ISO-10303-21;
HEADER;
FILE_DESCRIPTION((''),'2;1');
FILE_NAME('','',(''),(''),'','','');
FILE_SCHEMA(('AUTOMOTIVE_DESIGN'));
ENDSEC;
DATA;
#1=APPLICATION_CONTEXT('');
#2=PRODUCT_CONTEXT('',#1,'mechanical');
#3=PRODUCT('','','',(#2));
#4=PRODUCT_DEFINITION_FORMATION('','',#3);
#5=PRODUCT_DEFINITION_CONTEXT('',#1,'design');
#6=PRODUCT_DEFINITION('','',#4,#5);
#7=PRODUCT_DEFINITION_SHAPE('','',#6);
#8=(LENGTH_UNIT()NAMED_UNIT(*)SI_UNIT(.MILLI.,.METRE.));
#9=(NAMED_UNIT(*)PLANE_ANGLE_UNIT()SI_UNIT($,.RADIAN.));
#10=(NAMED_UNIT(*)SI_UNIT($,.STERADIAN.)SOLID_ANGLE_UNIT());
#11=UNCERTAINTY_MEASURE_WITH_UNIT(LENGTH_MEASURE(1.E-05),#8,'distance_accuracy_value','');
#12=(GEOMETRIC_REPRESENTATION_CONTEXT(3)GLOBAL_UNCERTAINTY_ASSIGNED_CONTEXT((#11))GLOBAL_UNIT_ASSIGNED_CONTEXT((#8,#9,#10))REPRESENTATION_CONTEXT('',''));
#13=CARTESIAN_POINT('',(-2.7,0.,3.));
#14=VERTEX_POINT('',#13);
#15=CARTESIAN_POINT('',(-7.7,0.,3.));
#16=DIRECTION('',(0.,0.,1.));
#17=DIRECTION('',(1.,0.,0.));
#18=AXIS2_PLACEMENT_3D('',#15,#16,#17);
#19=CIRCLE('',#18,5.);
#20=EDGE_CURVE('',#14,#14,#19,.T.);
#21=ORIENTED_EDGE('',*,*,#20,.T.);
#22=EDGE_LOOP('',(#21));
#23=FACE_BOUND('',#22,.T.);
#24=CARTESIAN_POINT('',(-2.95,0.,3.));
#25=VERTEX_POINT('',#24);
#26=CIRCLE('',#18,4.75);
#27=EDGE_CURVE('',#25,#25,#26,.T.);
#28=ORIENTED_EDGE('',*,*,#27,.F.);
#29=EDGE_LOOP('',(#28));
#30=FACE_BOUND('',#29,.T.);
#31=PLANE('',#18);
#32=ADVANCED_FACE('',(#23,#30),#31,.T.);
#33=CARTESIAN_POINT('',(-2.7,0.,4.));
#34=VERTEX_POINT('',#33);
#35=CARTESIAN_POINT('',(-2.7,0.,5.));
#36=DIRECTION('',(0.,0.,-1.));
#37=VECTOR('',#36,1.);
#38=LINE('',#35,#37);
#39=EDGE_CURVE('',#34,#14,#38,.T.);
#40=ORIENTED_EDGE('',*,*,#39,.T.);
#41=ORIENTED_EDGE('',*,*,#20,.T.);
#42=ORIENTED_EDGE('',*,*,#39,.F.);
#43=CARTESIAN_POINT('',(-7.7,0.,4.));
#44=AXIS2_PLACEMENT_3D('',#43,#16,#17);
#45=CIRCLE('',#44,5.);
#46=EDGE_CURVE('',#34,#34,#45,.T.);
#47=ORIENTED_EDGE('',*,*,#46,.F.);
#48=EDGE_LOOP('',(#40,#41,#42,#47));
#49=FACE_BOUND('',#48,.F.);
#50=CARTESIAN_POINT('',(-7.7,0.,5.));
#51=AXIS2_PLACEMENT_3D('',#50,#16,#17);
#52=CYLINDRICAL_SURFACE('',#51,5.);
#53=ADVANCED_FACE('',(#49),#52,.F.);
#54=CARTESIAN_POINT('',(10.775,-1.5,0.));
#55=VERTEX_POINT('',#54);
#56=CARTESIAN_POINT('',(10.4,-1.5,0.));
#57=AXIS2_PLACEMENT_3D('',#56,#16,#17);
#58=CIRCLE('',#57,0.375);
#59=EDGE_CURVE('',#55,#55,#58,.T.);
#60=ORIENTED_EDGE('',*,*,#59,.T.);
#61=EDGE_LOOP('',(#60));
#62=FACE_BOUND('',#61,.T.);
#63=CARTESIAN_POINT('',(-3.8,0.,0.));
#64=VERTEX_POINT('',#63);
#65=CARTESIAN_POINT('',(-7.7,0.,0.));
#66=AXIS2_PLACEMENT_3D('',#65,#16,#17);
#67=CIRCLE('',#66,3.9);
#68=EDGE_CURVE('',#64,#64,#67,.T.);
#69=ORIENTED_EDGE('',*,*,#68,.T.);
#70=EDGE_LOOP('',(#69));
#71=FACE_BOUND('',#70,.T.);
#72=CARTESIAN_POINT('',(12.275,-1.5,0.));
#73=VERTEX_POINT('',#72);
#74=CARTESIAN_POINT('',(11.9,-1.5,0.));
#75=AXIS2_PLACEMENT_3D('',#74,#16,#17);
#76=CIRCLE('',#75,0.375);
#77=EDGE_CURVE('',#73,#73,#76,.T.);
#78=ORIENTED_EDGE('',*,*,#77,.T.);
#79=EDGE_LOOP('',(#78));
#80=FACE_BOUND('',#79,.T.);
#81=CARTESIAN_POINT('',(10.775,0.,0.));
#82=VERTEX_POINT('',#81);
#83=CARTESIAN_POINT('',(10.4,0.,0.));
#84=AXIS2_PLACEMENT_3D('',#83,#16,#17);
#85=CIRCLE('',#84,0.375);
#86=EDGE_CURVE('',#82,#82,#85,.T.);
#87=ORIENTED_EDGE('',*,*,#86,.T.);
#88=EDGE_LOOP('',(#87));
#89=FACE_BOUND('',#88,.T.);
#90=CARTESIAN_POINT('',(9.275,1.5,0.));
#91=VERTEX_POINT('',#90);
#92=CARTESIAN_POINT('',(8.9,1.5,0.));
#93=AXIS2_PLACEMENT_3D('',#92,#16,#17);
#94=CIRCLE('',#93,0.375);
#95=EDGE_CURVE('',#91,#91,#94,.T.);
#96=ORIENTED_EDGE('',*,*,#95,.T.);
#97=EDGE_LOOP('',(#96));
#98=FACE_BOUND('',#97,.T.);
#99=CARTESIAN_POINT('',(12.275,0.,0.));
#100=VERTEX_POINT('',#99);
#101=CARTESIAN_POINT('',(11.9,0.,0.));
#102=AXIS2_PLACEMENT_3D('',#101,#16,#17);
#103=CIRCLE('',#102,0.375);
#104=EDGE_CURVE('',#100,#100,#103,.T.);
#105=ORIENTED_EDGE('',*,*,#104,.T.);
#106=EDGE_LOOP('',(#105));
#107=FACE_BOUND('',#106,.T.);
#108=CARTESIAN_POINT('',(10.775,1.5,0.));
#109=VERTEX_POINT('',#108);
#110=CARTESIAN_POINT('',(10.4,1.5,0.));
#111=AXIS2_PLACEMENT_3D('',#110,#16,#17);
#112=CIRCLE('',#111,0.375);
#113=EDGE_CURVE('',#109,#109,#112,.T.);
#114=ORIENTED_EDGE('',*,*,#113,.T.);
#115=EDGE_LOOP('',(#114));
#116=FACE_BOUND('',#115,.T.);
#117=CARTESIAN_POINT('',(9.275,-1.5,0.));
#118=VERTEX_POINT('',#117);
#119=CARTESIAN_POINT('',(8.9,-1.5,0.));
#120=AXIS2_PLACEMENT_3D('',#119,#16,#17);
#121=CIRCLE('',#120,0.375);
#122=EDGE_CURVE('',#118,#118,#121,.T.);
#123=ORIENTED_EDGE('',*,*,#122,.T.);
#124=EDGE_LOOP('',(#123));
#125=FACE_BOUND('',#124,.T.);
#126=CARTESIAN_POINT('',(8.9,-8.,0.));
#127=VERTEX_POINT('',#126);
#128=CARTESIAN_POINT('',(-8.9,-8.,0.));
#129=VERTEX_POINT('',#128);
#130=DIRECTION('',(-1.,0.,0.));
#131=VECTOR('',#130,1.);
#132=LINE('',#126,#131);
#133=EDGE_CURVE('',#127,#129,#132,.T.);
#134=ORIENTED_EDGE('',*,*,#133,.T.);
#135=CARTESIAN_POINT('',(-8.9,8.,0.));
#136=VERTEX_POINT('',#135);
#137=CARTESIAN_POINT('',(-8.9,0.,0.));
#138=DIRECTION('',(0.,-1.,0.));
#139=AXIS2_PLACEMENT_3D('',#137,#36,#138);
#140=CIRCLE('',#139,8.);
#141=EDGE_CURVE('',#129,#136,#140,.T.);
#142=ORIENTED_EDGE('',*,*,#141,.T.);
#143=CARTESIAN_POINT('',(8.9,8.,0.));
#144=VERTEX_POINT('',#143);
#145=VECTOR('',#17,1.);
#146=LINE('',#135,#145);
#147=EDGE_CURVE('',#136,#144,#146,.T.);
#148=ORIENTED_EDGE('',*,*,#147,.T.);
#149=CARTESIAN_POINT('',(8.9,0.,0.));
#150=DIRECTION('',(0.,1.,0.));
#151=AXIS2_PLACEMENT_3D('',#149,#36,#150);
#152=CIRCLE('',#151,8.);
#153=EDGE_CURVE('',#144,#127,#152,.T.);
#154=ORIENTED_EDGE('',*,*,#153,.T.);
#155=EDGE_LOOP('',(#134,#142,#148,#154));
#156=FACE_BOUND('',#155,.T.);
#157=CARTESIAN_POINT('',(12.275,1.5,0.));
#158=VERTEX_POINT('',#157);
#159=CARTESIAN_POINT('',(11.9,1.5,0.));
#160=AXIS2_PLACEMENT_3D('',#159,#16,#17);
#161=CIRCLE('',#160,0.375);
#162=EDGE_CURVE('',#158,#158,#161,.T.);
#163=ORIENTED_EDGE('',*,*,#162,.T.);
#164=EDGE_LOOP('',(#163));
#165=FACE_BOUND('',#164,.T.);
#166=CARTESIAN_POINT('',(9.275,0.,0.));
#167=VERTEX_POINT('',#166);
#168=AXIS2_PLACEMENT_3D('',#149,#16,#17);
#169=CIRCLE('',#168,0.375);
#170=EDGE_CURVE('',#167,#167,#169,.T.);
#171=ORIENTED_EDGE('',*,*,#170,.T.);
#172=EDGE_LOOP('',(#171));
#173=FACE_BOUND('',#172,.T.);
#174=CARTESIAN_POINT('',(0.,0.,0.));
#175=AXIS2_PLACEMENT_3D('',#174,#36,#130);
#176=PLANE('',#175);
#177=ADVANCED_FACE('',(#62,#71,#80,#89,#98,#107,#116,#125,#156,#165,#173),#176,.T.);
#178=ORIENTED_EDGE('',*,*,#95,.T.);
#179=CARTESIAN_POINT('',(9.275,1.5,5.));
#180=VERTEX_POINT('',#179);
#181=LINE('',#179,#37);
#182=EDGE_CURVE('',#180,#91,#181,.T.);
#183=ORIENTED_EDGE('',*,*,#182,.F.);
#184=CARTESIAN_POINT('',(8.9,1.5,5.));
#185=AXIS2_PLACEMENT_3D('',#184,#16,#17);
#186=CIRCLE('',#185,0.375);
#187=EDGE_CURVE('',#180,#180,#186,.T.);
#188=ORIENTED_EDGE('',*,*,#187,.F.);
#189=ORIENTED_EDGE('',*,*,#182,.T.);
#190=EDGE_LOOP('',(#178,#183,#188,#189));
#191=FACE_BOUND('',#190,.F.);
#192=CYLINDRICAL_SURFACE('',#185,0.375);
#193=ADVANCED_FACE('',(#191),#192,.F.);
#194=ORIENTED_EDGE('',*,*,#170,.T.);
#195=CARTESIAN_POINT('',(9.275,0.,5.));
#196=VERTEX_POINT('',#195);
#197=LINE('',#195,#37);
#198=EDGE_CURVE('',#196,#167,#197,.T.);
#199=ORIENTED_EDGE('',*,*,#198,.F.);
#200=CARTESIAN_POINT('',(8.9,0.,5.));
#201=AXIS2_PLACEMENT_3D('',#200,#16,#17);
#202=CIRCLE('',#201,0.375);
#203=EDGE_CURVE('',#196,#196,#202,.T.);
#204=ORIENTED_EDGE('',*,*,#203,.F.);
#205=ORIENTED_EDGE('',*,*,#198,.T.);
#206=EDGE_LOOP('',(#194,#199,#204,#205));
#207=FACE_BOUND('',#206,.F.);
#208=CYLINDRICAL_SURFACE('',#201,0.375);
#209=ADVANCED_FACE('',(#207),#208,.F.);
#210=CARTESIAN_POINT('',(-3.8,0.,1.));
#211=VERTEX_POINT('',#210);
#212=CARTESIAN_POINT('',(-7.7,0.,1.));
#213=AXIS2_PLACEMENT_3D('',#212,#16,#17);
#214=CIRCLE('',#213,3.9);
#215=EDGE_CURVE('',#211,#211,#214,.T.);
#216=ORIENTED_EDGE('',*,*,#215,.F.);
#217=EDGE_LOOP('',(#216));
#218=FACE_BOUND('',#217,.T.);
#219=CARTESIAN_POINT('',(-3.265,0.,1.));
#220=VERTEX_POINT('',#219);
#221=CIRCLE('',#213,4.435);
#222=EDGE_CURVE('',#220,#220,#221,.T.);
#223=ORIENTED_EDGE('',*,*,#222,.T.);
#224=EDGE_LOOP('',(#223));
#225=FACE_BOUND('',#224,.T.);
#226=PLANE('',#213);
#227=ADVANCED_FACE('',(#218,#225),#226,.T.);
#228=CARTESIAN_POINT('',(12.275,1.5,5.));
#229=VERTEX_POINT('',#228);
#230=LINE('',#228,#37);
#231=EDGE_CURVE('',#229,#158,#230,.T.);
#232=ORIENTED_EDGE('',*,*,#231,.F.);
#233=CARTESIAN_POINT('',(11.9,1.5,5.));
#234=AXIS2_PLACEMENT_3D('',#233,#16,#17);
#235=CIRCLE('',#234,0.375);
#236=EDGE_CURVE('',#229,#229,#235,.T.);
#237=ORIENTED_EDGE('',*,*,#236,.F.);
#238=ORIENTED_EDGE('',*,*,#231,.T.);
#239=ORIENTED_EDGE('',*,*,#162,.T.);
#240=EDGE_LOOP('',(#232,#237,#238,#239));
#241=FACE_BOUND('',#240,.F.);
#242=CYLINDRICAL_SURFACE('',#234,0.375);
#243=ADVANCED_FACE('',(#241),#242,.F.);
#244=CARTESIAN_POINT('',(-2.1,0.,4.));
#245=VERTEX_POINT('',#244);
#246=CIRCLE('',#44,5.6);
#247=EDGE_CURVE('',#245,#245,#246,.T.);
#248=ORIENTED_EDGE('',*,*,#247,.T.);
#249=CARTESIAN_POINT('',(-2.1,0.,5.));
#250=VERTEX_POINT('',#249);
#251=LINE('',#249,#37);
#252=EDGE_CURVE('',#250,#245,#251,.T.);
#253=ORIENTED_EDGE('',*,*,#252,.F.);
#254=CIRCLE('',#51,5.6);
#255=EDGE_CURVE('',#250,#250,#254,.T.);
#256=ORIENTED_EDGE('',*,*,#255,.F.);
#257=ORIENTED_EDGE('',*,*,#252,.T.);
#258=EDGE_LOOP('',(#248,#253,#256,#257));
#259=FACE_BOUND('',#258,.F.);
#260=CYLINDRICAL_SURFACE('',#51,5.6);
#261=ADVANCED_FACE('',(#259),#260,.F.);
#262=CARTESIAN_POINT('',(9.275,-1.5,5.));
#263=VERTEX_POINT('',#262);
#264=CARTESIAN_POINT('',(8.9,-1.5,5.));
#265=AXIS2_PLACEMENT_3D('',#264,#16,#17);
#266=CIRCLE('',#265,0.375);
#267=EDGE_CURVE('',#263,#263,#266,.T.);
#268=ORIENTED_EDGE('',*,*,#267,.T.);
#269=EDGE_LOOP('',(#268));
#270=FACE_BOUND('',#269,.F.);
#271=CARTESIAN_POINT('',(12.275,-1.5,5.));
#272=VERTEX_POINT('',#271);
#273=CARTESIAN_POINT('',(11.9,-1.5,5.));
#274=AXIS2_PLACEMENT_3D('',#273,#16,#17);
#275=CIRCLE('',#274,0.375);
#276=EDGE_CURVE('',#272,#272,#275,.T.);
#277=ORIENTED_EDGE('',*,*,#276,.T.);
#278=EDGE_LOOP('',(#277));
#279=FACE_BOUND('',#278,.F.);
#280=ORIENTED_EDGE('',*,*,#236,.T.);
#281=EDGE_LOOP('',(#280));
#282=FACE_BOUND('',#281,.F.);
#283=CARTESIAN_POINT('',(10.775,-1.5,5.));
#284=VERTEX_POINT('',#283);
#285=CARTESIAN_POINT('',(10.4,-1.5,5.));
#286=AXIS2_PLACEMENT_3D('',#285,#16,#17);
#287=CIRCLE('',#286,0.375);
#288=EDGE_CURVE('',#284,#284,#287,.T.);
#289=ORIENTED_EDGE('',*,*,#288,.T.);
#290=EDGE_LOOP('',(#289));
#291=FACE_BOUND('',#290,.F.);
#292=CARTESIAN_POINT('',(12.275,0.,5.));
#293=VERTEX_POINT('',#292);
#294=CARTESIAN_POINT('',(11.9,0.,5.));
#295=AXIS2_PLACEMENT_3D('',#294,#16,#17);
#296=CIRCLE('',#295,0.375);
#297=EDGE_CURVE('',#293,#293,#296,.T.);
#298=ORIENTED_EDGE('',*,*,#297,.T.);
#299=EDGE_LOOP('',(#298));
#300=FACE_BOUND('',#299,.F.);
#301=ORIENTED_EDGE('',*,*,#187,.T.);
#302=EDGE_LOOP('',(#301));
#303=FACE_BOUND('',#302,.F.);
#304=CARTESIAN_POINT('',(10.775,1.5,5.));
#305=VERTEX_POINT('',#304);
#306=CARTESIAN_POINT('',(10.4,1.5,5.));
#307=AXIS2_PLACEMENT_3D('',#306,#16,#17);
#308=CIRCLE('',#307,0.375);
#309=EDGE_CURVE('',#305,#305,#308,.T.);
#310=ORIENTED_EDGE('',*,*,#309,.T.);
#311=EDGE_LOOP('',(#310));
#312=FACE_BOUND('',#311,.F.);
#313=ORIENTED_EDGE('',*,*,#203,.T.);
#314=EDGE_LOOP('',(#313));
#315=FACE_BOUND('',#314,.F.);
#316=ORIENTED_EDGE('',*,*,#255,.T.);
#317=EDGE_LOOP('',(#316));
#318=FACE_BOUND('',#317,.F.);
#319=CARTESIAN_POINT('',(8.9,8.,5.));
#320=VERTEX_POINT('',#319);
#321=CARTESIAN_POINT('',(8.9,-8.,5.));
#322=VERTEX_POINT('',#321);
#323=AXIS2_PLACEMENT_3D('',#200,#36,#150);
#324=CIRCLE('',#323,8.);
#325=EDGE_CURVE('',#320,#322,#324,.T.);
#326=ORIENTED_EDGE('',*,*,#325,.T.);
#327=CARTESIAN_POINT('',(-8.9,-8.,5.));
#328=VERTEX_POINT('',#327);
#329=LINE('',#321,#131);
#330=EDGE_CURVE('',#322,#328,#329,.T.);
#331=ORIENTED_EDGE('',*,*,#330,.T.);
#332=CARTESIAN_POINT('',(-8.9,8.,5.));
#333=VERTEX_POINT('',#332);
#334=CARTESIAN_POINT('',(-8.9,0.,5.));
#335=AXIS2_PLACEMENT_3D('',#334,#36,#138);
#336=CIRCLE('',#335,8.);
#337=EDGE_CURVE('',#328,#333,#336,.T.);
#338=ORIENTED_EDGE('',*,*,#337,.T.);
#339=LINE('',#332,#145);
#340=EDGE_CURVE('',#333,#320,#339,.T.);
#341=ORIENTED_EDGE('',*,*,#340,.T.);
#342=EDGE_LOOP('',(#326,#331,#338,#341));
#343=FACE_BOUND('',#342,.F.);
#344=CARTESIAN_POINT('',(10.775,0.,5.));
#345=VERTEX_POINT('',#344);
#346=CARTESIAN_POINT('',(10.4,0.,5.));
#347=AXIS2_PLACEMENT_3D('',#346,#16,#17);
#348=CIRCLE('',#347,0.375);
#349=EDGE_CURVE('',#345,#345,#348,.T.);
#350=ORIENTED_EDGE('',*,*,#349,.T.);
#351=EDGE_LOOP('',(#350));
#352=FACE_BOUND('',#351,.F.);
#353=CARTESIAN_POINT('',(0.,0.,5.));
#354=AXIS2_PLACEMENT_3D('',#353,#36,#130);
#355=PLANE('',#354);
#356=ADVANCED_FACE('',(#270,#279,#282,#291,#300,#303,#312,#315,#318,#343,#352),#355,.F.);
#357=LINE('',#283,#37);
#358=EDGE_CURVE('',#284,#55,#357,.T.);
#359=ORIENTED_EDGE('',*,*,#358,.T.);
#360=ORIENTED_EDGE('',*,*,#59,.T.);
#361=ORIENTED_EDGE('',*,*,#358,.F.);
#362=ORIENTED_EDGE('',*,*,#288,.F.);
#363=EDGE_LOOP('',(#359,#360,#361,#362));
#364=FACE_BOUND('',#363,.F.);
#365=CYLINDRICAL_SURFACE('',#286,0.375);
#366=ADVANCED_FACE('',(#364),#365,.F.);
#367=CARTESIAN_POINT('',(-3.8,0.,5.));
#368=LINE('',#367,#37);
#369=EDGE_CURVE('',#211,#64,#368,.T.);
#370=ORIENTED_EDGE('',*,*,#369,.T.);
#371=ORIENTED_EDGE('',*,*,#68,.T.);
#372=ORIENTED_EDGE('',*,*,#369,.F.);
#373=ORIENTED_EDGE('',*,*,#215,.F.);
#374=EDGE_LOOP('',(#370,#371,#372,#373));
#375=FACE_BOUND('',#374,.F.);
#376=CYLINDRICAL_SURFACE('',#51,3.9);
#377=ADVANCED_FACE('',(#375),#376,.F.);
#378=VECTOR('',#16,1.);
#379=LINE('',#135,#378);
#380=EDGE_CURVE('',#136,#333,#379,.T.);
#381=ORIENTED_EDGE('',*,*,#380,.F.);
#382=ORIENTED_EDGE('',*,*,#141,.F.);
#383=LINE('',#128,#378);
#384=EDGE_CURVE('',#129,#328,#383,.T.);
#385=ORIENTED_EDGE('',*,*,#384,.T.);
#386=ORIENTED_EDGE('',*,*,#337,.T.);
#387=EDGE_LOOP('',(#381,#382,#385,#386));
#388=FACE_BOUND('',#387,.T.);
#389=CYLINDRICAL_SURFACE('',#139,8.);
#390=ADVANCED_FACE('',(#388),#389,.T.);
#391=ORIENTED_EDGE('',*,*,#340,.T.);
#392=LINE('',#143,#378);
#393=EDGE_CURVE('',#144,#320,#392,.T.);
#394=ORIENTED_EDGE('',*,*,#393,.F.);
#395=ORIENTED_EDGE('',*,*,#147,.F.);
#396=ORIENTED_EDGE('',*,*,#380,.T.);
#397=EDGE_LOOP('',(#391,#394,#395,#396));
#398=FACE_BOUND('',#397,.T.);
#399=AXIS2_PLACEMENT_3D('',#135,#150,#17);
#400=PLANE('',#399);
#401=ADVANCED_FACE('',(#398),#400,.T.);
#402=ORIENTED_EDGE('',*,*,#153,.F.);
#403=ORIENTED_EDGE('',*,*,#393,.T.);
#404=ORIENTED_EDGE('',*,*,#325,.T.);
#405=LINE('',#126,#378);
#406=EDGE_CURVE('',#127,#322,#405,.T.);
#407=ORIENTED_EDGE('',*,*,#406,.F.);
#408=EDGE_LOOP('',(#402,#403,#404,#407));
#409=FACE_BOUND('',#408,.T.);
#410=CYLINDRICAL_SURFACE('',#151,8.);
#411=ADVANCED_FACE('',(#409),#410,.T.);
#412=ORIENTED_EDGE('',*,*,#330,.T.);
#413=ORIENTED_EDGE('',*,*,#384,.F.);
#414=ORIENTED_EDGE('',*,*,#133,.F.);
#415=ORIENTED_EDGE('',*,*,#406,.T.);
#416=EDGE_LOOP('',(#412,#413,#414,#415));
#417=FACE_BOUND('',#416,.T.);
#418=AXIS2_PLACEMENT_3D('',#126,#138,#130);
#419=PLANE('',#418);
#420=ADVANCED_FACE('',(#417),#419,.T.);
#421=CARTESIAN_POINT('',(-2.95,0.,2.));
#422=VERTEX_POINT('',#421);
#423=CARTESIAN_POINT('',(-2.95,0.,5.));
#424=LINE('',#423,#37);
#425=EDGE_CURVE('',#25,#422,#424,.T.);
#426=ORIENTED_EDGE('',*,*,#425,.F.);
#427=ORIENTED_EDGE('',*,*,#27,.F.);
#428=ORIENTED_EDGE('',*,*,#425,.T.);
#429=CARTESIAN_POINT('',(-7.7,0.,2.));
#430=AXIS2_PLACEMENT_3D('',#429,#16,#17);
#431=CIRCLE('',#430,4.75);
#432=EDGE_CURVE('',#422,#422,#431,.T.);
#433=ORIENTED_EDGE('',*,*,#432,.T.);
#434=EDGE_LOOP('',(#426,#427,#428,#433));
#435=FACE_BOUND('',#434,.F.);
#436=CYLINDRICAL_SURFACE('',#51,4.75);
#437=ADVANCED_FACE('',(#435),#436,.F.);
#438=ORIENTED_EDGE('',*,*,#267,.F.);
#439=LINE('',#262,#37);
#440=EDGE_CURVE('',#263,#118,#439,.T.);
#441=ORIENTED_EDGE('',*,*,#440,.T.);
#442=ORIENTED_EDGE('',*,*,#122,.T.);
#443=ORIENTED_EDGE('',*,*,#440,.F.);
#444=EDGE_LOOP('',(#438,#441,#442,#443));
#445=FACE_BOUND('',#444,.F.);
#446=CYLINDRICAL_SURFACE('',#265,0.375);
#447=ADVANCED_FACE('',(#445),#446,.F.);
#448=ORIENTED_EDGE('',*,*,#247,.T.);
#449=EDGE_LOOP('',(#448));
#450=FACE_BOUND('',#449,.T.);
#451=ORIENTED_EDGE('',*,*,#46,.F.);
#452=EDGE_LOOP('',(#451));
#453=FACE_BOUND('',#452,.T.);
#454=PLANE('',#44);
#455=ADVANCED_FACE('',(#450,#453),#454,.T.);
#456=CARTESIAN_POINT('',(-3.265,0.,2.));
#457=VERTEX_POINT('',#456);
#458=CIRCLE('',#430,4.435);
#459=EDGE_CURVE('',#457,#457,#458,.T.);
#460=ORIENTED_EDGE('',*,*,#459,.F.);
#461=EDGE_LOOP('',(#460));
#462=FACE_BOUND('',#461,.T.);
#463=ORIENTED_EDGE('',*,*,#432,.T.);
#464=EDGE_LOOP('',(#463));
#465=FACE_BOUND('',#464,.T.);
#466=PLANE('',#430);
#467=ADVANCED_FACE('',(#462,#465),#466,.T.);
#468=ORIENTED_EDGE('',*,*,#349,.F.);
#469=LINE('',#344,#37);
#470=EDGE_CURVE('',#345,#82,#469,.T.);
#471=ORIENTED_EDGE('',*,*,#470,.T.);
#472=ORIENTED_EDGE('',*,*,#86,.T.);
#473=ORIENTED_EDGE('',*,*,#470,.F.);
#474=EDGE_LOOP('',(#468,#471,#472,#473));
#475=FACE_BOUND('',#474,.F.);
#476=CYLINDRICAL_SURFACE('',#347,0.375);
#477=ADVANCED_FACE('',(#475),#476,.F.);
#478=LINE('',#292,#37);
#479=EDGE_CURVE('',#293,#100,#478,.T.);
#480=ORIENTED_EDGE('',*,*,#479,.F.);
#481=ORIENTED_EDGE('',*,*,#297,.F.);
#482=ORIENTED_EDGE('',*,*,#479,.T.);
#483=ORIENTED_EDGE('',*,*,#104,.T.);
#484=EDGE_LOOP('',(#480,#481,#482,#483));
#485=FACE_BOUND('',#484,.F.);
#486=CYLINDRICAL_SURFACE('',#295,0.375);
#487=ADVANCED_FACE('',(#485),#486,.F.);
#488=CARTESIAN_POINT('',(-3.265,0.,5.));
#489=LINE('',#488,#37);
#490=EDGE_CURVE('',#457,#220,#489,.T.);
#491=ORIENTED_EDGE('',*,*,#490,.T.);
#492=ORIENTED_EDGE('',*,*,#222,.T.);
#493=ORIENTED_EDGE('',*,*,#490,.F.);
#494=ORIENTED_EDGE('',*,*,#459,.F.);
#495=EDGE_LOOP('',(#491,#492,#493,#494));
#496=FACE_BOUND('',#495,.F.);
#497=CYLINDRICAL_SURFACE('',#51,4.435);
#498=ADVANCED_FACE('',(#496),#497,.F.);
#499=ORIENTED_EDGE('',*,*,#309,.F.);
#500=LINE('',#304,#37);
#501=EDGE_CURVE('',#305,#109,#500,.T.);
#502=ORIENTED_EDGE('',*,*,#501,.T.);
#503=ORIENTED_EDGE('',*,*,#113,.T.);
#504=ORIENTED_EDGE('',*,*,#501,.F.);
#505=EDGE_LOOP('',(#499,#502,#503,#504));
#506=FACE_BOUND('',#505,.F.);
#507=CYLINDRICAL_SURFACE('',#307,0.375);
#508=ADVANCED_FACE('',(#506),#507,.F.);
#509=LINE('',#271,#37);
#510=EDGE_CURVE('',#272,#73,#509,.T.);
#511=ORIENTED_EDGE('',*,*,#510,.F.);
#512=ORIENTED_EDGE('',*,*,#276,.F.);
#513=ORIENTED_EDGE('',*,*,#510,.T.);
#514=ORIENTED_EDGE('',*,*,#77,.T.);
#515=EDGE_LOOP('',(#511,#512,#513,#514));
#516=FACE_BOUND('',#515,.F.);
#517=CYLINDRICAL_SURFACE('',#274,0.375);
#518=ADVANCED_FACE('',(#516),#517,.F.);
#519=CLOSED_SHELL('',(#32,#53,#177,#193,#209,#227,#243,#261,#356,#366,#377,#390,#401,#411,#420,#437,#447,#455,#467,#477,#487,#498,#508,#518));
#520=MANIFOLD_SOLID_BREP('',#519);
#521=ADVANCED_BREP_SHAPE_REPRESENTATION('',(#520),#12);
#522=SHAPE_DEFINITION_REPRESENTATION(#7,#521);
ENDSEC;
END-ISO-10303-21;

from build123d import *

# Parameters (mm, degrees)
BOSS_EXTRUDE1_DEPTH = 5
SKETCH2_R           = 3.9
CUT_EXTRUDE1_DEPTH  = 5
SKETCH3_R           = 4.435
CUT_EXTRUDE2_DEPTH  = 4
SKETCH4_R           = 4.75
CUT_EXTRUDE3_DEPTH  = 3
SKETCH5_R           = 5
CUT_EXTRUDE4_DEPTH  = 2
SKETCH6_R           = 5.6
CUT_EXTRUDE5_DEPTH  = 1
SKETCH7_R           = 0.375
CUT_EXTRUDE6_DEPTH  = 6


with BuildPart() as part:
    # Sketch1 → Boss-Extrude1 (new body)
    with BuildSketch(Plane.XY):
        with BuildLine():
            Line((-8.9, 8), (8.9, 8))
            ThreePointArc((8.9, 8), (16.9, 0), (8.9, -8))
            Line((8.9, -8), (-8.9, -8))
            ThreePointArc((-8.9, -8), (-16.9, 0), (-8.9, 8))
        make_face()
    extrude(amount=BOSS_EXTRUDE1_DEPTH)

    # Sketch2 → Cut-Extrude1 (cut)
    with BuildSketch(Plane.XY.offset(5)):
        with Locations((-7.7, 0)):
            Circle(SKETCH2_R)
    extrude(amount=-CUT_EXTRUDE1_DEPTH, mode=Mode.SUBTRACT)

    # Sketch3 → Cut-Extrude2 (cut)
    with BuildSketch(Plane.XY.offset(5)):
        with Locations((-7.7, 0)):
            Circle(SKETCH3_R)
    extrude(amount=-CUT_EXTRUDE2_DEPTH, mode=Mode.SUBTRACT)

    # Sketch4 → Cut-Extrude3 (cut)
    with BuildSketch(Plane.XY.offset(5)):
        with Locations((-7.7, 0)):
            Circle(SKETCH4_R)
    extrude(amount=-CUT_EXTRUDE3_DEPTH, mode=Mode.SUBTRACT)

    # Sketch5 → Cut-Extrude4 (cut)
    with BuildSketch(Plane.XY.offset(5)):
        with Locations((-7.7, 0)):
            Circle(SKETCH5_R)
    extrude(amount=-CUT_EXTRUDE4_DEPTH, mode=Mode.SUBTRACT)

    # Sketch6 → Cut-Extrude5 (cut)
    with BuildSketch(Plane.XY.offset(5)):
        with Locations((-7.7, 0)):
            Circle(SKETCH6_R)
    extrude(amount=-CUT_EXTRUDE5_DEPTH, mode=Mode.SUBTRACT)

    # Sketch7 → Cut-Extrude6 (cut, through all)
    with BuildSketch(Plane.XY.offset(5)):
        with Locations((10.4, 0)):
            Circle(SKETCH7_R)
        with Locations((8.9, 0)):
            Circle(SKETCH7_R)
        with Locations((11.9, 0)):
            Circle(SKETCH7_R)
        with Locations((8.9, -1.5)):
            Circle(SKETCH7_R)
        with Locations((10.4, -1.5)):
            Circle(SKETCH7_R)
        with Locations((11.9, -1.5)):
            Circle(SKETCH7_R)
        with Locations((8.9, 1.5)):
            Circle(SKETCH7_R)
        with Locations((10.4, 1.5)):
            Circle(SKETCH7_R)
        with Locations((11.9, 1.5)):
            Circle(SKETCH7_R)
    extrude(amount=-CUT_EXTRUDE6_DEPTH, mode=Mode.SUBTRACT)


solid = part.part
